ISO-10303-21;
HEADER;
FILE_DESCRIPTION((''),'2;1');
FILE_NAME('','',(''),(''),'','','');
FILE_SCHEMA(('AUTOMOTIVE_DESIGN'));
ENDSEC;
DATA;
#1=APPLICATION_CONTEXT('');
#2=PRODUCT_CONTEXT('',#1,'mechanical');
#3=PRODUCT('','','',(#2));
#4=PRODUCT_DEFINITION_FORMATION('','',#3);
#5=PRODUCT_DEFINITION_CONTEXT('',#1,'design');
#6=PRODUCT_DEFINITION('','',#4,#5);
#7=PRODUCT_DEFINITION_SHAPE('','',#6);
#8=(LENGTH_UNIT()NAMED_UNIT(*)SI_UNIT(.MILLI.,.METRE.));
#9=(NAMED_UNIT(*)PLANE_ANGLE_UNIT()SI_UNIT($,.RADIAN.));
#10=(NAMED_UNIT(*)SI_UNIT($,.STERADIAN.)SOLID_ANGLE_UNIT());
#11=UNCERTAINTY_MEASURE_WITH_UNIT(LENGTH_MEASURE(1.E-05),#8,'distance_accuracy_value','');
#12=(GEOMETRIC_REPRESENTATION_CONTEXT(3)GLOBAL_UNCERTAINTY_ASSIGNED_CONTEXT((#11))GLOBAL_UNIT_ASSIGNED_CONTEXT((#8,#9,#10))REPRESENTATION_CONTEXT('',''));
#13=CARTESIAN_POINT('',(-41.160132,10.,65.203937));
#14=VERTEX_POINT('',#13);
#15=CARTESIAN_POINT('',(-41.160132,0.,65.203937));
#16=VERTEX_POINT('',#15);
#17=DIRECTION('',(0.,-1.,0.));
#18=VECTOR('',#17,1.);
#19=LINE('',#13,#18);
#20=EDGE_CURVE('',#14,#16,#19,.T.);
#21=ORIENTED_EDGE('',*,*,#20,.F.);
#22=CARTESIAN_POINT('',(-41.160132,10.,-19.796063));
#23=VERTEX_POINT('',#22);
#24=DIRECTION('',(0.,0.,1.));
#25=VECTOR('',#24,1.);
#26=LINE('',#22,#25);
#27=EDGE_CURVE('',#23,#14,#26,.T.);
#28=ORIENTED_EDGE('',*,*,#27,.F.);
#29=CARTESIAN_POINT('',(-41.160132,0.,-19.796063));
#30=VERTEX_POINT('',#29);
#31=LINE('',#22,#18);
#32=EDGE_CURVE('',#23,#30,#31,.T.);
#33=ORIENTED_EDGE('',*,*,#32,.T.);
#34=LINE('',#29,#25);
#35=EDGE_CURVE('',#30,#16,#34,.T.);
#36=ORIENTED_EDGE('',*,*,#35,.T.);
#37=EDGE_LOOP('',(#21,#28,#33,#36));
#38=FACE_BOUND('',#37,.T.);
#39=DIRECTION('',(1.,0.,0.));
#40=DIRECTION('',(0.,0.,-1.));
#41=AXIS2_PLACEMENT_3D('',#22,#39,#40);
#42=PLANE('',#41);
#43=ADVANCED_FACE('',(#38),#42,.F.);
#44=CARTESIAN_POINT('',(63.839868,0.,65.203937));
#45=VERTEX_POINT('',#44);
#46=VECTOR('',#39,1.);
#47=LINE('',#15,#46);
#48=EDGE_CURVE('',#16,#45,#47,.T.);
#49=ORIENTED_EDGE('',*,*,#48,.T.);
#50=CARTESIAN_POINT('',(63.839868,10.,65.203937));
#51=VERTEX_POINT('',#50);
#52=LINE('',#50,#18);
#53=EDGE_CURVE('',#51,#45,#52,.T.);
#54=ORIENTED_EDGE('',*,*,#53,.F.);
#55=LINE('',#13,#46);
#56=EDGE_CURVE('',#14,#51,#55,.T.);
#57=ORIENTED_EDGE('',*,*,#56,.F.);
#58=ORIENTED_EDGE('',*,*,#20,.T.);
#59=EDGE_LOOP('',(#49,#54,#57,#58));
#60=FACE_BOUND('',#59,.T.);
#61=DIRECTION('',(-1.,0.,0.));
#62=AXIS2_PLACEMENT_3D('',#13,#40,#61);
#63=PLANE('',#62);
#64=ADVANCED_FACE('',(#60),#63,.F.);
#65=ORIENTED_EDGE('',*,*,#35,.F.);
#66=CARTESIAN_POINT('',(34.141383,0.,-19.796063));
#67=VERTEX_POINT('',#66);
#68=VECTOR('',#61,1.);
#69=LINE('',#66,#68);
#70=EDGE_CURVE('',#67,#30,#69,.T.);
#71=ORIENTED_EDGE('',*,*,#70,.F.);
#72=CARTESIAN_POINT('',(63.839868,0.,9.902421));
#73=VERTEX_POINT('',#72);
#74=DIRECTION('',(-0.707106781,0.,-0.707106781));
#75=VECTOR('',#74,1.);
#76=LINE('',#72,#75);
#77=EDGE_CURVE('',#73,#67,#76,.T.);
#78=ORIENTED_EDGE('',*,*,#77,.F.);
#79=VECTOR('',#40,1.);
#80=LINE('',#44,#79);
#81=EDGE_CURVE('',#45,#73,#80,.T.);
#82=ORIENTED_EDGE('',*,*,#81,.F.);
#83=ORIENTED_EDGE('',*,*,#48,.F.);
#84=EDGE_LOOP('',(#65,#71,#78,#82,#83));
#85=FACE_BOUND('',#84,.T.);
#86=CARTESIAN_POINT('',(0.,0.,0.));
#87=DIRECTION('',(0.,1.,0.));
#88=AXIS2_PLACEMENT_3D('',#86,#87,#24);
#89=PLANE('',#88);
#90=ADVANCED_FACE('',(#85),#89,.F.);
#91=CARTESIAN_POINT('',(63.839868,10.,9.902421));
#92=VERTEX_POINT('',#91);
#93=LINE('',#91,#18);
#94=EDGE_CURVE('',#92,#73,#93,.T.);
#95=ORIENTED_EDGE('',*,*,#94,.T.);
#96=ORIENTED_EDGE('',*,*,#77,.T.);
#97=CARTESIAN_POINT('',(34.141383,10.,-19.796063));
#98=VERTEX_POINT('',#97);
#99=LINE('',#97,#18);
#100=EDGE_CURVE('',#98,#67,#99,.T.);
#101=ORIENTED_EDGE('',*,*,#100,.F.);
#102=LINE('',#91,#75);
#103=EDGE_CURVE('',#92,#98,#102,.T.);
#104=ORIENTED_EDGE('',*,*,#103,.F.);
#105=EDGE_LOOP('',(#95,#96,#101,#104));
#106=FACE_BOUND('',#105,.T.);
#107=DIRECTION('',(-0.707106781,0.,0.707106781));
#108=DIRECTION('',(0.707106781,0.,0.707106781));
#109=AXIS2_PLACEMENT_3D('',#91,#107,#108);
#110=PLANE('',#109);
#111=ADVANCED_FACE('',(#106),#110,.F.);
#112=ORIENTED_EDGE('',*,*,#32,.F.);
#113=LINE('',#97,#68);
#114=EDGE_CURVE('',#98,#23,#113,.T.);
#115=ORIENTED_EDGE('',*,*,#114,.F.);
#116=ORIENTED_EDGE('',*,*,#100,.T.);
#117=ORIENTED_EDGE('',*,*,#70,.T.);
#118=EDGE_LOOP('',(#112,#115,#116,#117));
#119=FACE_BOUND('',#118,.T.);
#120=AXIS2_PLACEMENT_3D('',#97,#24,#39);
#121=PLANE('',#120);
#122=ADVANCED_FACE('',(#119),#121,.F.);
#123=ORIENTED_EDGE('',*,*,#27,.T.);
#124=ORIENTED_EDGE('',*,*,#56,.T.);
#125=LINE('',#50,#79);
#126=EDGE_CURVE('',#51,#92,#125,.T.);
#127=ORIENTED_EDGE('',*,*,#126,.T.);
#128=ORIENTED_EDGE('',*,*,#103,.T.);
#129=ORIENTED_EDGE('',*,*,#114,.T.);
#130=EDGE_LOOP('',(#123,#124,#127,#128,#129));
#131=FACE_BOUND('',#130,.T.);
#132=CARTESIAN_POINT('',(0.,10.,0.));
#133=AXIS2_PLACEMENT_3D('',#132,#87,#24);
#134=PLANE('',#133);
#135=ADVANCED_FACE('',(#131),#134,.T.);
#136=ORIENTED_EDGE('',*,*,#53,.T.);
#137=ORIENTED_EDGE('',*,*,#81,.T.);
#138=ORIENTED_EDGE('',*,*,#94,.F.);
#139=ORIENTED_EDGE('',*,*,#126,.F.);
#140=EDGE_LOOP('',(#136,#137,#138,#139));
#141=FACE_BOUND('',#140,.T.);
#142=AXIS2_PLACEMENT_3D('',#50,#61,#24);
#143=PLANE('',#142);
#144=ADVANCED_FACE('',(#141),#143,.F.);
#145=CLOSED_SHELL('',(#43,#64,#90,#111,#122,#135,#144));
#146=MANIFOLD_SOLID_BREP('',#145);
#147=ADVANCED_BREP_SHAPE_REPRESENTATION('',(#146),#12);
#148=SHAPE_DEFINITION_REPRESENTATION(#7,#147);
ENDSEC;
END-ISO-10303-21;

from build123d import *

# Parameters (mm, degrees)
BOSS_EXTRUDE1_DEPTH = 10


with BuildPart() as part:
    # Sketch1 → Boss-Extrude1 (new body)
    with BuildSketch(Plane(origin=(0, 0, 0), x_dir=(1, 0, 0), z_dir=(0, 1, 0))):
        Polygon((-41.160131748, 19.796063365), (-41.160131748, -65.203936635), (63.839868252, -65.203936635), (63.839868252, -9.902421445), (34.141383442, 19.796063365), align=None)
    extrude(amount=BOSS_EXTRUDE1_DEPTH)


solid = part.part
